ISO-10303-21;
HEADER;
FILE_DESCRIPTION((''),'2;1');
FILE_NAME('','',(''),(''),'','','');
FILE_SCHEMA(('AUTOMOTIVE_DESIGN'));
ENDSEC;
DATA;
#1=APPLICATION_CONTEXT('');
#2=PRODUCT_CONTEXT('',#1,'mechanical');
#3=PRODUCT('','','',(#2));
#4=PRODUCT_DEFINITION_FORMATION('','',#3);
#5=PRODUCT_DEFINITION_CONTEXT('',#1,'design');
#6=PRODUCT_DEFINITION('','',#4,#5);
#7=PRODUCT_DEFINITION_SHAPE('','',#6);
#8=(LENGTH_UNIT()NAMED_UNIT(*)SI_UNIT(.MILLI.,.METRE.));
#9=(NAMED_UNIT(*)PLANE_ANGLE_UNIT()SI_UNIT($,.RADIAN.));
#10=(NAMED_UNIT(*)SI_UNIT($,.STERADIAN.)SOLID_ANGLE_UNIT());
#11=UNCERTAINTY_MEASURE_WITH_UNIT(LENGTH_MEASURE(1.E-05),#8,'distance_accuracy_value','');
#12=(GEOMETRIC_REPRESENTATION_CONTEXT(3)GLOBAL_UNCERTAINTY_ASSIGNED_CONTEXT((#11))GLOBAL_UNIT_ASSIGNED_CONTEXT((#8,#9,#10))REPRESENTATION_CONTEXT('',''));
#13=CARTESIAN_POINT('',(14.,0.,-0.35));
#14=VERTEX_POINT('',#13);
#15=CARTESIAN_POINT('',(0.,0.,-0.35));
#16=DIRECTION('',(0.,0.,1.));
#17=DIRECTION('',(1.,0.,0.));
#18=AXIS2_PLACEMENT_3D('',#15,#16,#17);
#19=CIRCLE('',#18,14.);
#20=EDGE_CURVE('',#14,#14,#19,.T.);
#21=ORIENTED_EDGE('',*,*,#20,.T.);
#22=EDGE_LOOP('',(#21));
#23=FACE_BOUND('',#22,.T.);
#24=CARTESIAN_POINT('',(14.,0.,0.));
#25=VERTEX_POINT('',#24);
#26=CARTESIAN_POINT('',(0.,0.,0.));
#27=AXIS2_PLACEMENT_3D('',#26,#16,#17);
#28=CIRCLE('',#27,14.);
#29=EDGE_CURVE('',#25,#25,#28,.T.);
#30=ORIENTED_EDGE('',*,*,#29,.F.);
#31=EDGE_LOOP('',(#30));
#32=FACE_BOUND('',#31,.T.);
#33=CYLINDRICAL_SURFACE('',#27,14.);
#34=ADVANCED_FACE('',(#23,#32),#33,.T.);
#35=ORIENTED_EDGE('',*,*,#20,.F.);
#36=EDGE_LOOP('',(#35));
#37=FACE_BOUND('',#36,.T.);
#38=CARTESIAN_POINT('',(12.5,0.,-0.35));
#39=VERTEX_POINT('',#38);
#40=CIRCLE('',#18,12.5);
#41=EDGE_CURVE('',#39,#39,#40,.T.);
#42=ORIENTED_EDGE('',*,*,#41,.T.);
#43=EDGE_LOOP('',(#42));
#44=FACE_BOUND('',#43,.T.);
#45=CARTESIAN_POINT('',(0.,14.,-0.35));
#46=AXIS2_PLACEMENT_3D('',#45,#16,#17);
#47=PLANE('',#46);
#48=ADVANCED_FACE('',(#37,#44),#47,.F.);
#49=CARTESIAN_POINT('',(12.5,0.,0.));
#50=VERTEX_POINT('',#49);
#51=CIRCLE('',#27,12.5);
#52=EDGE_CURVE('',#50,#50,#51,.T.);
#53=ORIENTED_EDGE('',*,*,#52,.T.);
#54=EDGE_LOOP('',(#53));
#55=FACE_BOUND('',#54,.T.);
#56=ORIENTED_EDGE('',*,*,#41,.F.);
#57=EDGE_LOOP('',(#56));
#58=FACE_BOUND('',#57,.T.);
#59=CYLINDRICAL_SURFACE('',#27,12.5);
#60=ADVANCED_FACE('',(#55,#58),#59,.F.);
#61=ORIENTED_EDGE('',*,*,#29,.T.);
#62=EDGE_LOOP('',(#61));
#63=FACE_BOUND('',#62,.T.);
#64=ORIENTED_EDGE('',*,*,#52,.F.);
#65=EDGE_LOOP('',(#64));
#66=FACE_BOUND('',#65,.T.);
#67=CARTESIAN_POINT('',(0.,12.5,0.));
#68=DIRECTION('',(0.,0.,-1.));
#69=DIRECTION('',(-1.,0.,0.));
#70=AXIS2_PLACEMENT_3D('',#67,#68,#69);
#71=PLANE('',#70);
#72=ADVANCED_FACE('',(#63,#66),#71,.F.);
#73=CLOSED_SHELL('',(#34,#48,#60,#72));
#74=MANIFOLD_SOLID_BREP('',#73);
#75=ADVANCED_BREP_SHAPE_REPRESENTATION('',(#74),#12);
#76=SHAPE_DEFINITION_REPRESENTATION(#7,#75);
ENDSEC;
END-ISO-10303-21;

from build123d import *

# Parameters (mm, degrees)
SKETCH_1_W = 0.35
SKETCH_1_H = 1.5


with BuildPart() as part:
    # Эскиз1 → Повернуть1 (revolve)
    with BuildSketch(Plane(origin=(0, 0, 0), x_dir=(0, 0, -1), z_dir=(1, 0, 0)), mode=Mode.PRIVATE) as revolve_1_sk:
        with Locations((0.175, 13.25)):
            Rectangle(SKETCH_1_W, SKETCH_1_H)
    revolve(revolve_1_sk.sketch.rotate(Axis((0, 0, 0), (0, 0, -1)), 90), axis=Axis((0, 0, 0), (0, 0, -1)))


solid = part.part
